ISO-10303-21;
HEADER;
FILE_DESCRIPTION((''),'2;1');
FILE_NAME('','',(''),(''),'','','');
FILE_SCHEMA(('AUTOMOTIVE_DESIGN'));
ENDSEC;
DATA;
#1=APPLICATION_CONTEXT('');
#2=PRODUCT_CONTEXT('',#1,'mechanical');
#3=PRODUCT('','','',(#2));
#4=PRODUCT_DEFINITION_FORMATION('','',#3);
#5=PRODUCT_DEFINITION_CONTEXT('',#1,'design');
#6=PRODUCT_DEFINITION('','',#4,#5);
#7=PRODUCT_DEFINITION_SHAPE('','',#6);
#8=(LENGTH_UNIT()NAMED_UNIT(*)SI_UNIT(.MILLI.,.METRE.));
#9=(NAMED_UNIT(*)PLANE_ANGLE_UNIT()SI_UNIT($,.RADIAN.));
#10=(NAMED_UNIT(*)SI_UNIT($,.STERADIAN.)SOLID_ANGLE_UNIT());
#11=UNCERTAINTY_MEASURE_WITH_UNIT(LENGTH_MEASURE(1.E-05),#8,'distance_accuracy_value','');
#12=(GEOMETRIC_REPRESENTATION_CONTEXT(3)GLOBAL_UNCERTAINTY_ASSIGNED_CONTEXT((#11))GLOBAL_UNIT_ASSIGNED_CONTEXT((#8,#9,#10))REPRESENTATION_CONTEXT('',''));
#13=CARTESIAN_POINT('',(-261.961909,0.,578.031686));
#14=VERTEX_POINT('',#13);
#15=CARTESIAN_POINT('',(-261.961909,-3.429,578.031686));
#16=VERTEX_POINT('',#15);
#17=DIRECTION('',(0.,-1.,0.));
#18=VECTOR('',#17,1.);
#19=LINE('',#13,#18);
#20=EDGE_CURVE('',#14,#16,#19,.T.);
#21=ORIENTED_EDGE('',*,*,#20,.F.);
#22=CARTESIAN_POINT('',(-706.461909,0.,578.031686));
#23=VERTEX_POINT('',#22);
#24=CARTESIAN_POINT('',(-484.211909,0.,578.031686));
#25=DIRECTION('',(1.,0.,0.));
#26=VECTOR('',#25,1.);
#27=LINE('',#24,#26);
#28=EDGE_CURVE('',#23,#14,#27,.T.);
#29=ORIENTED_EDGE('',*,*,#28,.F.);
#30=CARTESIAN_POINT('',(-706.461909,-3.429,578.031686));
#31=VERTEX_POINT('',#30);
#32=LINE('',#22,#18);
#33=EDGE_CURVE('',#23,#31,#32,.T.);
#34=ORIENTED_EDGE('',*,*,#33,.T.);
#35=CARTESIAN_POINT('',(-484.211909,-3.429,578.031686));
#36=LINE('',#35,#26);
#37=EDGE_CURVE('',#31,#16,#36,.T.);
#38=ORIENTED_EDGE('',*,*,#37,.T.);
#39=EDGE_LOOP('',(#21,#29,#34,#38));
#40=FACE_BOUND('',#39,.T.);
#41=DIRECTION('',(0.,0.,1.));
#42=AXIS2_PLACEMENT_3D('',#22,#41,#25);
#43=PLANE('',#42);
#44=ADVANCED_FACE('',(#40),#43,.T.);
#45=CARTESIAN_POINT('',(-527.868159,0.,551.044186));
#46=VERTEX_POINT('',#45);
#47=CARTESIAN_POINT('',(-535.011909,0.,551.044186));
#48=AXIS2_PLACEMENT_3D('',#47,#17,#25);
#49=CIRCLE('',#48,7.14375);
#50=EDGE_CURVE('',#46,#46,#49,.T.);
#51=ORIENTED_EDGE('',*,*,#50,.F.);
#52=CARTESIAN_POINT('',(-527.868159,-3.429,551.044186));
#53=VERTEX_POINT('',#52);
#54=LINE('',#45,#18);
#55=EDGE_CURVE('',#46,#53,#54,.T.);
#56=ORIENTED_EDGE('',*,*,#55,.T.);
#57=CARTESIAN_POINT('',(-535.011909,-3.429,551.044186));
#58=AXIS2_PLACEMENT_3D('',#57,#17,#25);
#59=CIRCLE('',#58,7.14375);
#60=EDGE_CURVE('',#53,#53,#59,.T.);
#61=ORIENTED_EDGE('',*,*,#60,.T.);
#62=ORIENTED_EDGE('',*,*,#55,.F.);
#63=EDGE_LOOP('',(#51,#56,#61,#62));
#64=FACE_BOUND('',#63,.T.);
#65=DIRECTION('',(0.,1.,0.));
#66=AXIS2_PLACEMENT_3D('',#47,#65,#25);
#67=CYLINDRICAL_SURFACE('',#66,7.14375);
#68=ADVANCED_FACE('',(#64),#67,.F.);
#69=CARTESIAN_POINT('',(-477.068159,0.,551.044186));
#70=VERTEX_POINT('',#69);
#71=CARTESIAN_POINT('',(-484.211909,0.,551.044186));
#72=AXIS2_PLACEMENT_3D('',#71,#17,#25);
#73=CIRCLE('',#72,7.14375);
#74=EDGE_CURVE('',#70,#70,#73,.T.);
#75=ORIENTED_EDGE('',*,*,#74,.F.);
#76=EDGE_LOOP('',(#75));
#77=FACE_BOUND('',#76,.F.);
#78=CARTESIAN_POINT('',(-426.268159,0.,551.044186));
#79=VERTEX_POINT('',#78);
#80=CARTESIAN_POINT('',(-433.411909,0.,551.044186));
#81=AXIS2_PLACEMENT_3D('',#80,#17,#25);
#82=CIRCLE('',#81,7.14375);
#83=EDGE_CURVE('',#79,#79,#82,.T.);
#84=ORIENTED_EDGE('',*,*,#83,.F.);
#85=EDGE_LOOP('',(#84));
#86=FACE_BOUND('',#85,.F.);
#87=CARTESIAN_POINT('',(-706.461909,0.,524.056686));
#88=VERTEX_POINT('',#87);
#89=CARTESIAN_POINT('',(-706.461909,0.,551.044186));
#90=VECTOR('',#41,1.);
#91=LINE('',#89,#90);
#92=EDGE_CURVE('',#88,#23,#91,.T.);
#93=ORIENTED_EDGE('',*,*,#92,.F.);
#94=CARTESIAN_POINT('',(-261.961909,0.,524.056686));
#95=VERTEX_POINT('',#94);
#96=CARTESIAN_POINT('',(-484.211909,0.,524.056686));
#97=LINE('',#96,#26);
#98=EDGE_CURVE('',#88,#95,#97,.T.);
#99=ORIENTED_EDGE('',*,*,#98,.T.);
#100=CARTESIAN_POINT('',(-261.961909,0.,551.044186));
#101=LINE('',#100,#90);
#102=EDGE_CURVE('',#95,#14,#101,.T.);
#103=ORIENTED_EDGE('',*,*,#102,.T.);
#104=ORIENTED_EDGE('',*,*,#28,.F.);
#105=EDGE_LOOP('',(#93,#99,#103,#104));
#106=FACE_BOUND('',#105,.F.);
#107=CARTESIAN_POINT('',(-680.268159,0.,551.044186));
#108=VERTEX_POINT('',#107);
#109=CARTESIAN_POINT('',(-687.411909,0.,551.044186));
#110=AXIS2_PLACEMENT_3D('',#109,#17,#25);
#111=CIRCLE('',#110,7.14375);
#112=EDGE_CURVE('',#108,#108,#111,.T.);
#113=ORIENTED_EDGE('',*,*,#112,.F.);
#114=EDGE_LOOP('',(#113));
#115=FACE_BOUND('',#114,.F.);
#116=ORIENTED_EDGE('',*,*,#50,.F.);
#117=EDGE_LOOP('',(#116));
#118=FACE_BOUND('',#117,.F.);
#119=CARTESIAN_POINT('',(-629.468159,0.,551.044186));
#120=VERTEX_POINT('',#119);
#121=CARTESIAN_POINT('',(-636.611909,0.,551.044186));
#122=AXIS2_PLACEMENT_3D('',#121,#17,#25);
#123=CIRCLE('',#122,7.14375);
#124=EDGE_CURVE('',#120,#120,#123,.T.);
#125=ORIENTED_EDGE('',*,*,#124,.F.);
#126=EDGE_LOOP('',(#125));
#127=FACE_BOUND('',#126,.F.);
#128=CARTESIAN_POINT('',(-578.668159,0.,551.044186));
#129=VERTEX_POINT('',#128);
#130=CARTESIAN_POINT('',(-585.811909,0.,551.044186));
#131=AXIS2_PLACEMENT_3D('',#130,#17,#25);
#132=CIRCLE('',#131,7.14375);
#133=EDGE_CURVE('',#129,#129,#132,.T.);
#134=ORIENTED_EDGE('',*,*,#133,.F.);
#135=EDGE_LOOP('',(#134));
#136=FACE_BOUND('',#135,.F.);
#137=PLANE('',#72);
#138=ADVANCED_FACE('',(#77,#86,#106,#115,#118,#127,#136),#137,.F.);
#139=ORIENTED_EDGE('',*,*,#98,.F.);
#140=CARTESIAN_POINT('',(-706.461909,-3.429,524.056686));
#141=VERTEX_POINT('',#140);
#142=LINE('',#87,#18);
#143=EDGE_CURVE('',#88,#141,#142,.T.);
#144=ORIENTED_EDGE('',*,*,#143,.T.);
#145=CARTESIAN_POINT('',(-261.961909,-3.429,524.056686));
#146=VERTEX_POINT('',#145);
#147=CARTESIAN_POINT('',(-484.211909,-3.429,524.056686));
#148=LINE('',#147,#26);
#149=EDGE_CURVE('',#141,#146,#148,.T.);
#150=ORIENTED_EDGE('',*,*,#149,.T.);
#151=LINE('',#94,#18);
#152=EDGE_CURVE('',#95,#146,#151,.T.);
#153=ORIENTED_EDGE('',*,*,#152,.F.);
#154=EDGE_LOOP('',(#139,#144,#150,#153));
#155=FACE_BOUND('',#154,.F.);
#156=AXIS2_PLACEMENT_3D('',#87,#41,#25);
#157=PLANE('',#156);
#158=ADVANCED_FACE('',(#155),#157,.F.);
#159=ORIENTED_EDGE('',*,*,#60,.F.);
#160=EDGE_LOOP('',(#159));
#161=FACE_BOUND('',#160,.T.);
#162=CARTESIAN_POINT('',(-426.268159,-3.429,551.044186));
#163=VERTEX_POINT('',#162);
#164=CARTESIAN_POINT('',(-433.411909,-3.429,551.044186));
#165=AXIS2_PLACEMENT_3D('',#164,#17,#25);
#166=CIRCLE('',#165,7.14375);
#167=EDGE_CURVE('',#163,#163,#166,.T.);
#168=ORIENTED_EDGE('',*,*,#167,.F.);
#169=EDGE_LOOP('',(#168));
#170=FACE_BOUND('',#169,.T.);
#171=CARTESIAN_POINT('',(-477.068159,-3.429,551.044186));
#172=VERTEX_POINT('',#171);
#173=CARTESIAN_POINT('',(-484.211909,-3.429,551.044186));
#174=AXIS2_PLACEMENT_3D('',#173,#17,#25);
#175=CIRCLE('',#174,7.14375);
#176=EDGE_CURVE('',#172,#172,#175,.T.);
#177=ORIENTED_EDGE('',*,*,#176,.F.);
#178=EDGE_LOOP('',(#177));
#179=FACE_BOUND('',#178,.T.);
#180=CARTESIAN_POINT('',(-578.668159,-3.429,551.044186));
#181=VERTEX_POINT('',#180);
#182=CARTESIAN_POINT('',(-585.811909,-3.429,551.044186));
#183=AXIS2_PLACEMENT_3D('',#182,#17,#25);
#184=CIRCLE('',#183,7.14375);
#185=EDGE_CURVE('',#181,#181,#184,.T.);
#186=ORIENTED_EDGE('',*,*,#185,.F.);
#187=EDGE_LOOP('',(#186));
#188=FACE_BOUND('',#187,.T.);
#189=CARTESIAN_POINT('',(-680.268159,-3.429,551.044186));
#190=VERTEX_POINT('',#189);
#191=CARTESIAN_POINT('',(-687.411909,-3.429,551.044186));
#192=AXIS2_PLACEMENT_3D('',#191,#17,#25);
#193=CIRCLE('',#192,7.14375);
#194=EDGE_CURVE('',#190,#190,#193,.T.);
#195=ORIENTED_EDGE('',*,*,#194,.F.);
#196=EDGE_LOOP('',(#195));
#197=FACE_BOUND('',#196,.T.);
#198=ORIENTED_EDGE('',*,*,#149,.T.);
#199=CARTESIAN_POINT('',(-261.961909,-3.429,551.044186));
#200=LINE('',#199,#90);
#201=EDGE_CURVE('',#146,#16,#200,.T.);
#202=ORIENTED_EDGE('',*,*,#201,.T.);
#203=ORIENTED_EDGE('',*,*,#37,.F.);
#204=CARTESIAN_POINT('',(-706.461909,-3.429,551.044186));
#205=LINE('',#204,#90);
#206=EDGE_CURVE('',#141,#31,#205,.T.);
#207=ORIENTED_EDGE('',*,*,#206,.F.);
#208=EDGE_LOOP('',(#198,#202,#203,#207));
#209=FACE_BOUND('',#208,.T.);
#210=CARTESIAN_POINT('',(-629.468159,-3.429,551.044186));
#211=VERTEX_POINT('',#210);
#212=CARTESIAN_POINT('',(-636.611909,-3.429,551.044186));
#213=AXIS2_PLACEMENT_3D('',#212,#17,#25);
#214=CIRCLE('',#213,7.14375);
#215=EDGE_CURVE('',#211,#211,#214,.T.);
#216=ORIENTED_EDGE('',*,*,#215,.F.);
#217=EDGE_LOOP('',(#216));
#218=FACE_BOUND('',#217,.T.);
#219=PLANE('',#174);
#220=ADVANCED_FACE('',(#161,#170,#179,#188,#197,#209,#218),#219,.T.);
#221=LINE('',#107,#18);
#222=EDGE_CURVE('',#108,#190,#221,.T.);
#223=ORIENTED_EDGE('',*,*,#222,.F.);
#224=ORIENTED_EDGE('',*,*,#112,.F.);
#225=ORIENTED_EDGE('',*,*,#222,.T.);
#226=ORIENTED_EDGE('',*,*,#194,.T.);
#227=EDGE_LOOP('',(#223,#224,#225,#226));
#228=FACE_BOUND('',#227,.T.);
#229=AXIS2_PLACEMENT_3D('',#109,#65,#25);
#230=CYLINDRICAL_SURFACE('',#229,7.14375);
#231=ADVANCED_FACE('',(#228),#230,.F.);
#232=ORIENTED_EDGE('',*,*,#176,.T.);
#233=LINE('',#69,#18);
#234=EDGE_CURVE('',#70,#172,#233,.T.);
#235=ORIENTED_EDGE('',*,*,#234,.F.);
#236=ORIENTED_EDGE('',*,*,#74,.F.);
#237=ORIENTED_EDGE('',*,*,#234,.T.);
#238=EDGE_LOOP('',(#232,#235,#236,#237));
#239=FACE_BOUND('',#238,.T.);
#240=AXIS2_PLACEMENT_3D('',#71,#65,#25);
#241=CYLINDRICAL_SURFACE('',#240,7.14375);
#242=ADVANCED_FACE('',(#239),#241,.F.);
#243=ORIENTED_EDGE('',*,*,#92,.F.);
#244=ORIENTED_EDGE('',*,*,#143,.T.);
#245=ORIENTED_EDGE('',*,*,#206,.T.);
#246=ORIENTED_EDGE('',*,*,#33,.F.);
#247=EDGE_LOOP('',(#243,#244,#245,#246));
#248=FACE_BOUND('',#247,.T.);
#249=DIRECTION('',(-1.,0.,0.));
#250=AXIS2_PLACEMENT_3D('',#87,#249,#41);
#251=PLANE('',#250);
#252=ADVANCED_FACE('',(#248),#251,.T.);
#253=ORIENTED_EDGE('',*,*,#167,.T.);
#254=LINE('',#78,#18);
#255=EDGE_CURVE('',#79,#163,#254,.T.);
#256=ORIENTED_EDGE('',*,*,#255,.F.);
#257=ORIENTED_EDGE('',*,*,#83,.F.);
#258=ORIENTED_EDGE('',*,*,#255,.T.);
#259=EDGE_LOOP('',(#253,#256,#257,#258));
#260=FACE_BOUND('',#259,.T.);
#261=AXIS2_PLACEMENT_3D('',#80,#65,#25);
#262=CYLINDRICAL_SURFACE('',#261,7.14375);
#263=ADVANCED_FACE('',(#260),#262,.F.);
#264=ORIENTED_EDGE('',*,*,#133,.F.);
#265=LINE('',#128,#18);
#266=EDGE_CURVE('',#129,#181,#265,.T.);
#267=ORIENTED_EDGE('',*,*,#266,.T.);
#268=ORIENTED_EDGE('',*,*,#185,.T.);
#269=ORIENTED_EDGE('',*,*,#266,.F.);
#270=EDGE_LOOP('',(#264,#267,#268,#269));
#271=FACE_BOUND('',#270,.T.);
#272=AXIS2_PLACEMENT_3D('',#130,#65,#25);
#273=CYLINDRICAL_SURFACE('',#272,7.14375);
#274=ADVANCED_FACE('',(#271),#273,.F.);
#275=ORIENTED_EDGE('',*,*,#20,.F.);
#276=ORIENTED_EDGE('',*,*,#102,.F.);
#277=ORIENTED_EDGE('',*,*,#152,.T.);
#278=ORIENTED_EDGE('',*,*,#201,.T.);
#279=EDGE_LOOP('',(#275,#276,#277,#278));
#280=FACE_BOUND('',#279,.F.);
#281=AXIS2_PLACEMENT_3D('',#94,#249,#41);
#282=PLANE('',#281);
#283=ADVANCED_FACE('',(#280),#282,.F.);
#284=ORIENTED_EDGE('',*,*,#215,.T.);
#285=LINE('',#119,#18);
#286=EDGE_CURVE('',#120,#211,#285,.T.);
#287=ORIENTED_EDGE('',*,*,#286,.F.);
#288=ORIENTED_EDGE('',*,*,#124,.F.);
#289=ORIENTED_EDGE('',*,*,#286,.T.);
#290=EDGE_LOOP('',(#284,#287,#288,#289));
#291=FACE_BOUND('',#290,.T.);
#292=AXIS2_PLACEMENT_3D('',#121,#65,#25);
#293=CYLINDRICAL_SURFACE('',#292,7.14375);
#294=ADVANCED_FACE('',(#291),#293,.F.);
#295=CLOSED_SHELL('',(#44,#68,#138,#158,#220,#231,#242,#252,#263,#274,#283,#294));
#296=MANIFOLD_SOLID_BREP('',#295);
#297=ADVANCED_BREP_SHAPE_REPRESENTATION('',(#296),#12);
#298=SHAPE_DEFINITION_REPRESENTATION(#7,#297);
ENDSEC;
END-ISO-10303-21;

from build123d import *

# Parameters (mm, degrees)
F0_W     = 444.5
F0_H     = 53.975
F0_R     = 7.14375
F1_DEPTH = 3.429


with BuildPart() as f1:
    # F0 (on Front) → F1 (new body)
    with BuildSketch(Plane.XZ):
        with Locations((-484.211909, 551.044186)):
            Rectangle(F0_W, F0_H)
        with Locations((-687.411909, 551.044186)):
            Circle(F0_R, mode=Mode.SUBTRACT)
        with Locations((-636.611909, 551.044186)):
            Circle(F0_R, mode=Mode.SUBTRACT)
        with Locations((-585.811909, 551.044186)):
            Circle(F0_R, mode=Mode.SUBTRACT)
        with Locations((-535.011909, 551.044186)):
            Circle(F0_R, mode=Mode.SUBTRACT)
        with Locations((-484.211909, 551.044186)):
            Circle(F0_R, mode=Mode.SUBTRACT)
        with Locations((-433.411909, 551.044186)):
            Circle(F0_R, mode=Mode.SUBTRACT)
    extrude(amount=F1_DEPTH)


solid = f1.part
